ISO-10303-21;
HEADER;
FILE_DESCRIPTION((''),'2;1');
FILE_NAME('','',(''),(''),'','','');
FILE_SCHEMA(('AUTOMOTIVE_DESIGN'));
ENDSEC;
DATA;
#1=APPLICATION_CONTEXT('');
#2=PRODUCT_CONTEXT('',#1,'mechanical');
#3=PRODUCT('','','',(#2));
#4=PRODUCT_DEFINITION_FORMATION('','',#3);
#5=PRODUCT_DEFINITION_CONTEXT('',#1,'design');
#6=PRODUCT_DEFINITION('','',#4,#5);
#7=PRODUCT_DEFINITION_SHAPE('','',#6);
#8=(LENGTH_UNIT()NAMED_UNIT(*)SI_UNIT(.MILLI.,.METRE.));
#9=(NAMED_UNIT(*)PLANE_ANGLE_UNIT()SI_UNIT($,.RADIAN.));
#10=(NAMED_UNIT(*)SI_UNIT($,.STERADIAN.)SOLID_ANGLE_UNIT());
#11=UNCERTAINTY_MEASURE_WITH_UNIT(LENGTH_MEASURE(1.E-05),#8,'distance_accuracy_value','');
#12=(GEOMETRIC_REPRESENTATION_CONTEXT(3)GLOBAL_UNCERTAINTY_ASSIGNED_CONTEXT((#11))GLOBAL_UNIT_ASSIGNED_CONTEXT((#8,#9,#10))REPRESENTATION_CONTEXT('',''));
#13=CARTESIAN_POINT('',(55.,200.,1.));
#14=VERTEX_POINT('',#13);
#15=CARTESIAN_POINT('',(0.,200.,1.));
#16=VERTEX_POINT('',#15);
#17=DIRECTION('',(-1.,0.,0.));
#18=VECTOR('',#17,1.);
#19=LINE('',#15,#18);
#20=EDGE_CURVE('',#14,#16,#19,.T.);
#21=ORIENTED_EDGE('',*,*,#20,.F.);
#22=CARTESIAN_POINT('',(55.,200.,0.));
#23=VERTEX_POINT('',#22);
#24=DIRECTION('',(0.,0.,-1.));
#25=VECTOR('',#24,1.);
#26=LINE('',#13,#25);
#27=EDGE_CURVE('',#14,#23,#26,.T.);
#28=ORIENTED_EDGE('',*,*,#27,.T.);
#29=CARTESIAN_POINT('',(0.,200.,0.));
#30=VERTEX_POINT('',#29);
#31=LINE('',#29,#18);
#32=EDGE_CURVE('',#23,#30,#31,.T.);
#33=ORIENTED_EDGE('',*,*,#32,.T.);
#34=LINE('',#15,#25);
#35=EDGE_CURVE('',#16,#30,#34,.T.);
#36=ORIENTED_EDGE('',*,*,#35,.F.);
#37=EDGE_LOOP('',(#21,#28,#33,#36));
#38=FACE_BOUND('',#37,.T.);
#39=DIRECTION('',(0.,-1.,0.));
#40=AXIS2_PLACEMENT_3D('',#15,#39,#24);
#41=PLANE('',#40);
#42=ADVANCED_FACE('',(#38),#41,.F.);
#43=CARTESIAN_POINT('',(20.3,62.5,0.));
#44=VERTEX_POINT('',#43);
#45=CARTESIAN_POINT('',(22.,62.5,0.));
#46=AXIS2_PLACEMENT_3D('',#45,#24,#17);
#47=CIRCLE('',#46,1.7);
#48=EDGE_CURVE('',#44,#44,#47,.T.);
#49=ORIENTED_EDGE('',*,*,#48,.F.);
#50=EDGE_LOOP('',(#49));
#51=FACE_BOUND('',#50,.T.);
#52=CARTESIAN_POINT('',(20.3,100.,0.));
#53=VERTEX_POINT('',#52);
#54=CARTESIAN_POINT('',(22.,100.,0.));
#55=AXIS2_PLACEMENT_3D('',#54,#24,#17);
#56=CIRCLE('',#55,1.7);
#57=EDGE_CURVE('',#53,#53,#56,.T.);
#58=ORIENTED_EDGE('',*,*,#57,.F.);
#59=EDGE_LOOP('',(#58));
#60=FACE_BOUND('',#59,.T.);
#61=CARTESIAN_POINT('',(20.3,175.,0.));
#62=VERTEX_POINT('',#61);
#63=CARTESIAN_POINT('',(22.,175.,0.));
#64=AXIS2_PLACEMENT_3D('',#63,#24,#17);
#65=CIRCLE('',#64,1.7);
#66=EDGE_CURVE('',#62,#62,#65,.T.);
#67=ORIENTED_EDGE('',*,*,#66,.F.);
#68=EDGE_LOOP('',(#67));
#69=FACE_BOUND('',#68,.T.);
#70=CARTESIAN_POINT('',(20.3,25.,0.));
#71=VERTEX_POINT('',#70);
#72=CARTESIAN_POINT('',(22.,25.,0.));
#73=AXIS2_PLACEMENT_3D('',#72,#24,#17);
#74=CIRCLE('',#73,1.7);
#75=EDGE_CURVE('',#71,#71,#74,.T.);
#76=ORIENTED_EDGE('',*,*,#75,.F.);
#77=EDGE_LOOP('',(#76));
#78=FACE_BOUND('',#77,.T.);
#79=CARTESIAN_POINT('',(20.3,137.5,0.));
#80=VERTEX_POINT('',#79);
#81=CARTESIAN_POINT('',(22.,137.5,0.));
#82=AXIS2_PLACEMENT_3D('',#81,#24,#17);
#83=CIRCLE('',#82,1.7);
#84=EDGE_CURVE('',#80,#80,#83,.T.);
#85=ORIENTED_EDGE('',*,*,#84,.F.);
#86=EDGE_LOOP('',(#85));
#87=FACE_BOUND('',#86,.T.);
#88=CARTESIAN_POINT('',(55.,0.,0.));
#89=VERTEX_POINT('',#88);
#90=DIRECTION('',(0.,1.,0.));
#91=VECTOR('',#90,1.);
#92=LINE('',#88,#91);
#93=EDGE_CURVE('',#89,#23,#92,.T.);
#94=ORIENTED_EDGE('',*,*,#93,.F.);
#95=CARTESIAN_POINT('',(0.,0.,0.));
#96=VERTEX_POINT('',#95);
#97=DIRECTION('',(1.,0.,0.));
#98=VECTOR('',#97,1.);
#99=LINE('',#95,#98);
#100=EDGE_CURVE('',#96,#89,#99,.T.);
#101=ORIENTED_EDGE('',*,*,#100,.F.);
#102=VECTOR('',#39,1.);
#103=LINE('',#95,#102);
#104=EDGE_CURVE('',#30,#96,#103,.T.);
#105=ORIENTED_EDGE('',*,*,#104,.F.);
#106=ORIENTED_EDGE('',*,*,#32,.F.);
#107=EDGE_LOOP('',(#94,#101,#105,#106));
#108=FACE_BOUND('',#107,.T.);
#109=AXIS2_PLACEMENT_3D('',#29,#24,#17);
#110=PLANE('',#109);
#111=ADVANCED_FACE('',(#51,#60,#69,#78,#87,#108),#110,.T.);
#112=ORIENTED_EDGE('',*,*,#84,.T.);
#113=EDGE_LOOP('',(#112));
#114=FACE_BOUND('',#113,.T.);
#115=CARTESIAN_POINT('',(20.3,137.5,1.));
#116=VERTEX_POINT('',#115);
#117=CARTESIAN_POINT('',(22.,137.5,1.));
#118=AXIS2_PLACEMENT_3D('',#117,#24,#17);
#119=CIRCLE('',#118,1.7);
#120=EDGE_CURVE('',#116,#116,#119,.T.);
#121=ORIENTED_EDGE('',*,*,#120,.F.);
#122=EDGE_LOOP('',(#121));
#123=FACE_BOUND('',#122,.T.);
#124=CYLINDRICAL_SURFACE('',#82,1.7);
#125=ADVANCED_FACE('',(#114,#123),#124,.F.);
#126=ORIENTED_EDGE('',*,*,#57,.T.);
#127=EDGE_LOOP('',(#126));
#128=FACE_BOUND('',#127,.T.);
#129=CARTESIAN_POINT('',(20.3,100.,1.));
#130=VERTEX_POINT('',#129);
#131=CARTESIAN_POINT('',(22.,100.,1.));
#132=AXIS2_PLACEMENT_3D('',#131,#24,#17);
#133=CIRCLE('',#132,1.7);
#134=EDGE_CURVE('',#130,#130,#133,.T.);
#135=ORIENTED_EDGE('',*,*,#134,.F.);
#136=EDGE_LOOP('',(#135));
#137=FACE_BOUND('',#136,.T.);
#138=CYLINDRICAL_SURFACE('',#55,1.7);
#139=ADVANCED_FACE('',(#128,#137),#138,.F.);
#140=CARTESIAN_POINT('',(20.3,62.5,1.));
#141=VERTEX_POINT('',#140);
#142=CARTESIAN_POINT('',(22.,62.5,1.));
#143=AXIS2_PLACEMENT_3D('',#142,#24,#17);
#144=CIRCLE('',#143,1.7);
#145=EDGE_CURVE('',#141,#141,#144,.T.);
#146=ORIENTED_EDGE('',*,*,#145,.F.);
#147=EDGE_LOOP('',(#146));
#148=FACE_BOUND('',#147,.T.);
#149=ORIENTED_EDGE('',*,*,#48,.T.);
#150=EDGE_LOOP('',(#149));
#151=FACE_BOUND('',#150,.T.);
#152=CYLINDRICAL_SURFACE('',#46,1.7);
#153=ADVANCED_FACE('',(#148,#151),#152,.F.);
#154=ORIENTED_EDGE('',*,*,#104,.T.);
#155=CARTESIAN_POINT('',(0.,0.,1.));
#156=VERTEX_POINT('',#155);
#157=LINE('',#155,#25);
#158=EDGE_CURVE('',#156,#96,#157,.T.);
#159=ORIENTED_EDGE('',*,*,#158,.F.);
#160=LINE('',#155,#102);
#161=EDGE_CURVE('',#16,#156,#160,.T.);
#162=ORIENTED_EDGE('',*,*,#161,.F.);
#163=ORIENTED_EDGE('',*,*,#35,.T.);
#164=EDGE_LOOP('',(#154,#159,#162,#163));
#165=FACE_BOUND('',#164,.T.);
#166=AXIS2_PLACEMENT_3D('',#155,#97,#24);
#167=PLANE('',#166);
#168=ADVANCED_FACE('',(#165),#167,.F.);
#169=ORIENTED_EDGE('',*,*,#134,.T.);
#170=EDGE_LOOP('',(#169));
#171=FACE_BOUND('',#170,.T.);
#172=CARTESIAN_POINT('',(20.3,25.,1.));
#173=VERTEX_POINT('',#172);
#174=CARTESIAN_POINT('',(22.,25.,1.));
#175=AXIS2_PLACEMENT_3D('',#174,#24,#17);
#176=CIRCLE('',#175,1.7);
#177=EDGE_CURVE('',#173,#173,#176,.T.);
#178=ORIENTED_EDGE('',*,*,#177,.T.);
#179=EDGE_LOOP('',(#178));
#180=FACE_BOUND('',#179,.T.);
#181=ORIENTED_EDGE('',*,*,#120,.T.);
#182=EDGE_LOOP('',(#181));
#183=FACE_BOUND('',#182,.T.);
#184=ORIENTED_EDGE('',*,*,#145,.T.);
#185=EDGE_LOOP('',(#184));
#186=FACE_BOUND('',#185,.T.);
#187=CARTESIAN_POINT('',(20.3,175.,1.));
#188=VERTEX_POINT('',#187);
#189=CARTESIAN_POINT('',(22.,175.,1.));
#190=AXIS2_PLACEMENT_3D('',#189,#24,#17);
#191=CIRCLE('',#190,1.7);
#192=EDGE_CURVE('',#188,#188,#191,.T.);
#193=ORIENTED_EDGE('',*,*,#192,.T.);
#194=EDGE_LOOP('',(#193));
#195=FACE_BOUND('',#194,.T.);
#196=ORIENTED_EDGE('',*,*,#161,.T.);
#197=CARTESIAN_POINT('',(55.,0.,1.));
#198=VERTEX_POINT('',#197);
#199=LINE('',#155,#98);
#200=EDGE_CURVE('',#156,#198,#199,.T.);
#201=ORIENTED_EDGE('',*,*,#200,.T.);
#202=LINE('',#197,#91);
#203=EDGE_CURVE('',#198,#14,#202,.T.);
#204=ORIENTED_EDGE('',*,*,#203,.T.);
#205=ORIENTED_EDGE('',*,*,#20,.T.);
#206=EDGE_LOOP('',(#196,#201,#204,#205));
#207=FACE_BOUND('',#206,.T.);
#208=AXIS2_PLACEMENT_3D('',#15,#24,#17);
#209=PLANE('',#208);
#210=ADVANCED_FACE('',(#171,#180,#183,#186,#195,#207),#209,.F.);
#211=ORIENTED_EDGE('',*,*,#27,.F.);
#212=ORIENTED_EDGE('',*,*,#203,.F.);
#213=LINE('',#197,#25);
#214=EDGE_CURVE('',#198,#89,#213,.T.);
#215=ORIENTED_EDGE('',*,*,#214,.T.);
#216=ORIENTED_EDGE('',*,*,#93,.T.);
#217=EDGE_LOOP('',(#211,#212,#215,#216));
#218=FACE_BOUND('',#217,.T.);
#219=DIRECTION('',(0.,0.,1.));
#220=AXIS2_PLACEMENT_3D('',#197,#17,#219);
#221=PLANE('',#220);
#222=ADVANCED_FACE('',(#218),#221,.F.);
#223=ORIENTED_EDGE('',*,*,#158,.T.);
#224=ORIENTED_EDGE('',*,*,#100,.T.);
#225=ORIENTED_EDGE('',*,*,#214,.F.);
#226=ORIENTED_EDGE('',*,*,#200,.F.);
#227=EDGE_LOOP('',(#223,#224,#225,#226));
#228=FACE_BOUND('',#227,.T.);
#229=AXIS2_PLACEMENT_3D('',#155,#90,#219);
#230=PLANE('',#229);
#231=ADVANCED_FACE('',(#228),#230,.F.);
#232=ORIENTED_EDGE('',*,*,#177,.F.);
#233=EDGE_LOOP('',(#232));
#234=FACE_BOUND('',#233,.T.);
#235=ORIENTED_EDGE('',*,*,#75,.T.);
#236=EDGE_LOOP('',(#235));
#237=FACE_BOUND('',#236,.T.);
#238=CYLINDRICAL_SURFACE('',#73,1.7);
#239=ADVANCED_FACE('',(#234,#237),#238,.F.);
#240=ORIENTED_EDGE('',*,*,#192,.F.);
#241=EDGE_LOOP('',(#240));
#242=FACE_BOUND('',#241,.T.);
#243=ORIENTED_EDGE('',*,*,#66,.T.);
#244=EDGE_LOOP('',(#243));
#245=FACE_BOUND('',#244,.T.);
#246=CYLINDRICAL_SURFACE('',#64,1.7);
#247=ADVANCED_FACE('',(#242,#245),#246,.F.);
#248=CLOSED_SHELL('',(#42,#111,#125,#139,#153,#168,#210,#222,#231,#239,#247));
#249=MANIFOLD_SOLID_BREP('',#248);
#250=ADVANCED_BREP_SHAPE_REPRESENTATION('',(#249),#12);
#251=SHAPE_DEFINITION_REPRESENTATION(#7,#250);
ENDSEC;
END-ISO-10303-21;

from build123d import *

# Parameters (mm, degrees)
SKETCH_1_W            = 55
SKETCH_1_H            = 200
EXTRUDE_1_DEPTH       = 1
HOLE_WIZARD_M31_D     = 3.4
HOLE_WIZARD_M31_DEPTH = 5
HOLE_WIZARD_M31_TIP   = 1.021463052


with BuildPart() as part:
    # Эскиз1 → Бобышка-Вытянуть1 (new body)
    with BuildSketch(Plane.XY):
        with Locations((27.5, 100)):
            Rectangle(SKETCH_1_W, SKETCH_1_H)
    extrude(amount=EXTRUDE_1_DEPTH)

    # Отверстие с зазором M31
    with Locations(Plane(origin=(0, 0, 0), x_dir=(-1, 0, 0), z_dir=(0, 0, -1))):
        with Locations((-22, 175), (-22, 137.5), (-22, 100), (-22, 62.5), (-22, 25)):
            Hole(HOLE_WIZARD_M31_D / 2, depth=HOLE_WIZARD_M31_DEPTH)
            with Locations((0, 0, -(HOLE_WIZARD_M31_DEPTH + HOLE_WIZARD_M31_TIP / 2))):  # 118° drill point
                Cone(0, HOLE_WIZARD_M31_D / 2, HOLE_WIZARD_M31_TIP, mode=Mode.SUBTRACT)


solid = part.part
